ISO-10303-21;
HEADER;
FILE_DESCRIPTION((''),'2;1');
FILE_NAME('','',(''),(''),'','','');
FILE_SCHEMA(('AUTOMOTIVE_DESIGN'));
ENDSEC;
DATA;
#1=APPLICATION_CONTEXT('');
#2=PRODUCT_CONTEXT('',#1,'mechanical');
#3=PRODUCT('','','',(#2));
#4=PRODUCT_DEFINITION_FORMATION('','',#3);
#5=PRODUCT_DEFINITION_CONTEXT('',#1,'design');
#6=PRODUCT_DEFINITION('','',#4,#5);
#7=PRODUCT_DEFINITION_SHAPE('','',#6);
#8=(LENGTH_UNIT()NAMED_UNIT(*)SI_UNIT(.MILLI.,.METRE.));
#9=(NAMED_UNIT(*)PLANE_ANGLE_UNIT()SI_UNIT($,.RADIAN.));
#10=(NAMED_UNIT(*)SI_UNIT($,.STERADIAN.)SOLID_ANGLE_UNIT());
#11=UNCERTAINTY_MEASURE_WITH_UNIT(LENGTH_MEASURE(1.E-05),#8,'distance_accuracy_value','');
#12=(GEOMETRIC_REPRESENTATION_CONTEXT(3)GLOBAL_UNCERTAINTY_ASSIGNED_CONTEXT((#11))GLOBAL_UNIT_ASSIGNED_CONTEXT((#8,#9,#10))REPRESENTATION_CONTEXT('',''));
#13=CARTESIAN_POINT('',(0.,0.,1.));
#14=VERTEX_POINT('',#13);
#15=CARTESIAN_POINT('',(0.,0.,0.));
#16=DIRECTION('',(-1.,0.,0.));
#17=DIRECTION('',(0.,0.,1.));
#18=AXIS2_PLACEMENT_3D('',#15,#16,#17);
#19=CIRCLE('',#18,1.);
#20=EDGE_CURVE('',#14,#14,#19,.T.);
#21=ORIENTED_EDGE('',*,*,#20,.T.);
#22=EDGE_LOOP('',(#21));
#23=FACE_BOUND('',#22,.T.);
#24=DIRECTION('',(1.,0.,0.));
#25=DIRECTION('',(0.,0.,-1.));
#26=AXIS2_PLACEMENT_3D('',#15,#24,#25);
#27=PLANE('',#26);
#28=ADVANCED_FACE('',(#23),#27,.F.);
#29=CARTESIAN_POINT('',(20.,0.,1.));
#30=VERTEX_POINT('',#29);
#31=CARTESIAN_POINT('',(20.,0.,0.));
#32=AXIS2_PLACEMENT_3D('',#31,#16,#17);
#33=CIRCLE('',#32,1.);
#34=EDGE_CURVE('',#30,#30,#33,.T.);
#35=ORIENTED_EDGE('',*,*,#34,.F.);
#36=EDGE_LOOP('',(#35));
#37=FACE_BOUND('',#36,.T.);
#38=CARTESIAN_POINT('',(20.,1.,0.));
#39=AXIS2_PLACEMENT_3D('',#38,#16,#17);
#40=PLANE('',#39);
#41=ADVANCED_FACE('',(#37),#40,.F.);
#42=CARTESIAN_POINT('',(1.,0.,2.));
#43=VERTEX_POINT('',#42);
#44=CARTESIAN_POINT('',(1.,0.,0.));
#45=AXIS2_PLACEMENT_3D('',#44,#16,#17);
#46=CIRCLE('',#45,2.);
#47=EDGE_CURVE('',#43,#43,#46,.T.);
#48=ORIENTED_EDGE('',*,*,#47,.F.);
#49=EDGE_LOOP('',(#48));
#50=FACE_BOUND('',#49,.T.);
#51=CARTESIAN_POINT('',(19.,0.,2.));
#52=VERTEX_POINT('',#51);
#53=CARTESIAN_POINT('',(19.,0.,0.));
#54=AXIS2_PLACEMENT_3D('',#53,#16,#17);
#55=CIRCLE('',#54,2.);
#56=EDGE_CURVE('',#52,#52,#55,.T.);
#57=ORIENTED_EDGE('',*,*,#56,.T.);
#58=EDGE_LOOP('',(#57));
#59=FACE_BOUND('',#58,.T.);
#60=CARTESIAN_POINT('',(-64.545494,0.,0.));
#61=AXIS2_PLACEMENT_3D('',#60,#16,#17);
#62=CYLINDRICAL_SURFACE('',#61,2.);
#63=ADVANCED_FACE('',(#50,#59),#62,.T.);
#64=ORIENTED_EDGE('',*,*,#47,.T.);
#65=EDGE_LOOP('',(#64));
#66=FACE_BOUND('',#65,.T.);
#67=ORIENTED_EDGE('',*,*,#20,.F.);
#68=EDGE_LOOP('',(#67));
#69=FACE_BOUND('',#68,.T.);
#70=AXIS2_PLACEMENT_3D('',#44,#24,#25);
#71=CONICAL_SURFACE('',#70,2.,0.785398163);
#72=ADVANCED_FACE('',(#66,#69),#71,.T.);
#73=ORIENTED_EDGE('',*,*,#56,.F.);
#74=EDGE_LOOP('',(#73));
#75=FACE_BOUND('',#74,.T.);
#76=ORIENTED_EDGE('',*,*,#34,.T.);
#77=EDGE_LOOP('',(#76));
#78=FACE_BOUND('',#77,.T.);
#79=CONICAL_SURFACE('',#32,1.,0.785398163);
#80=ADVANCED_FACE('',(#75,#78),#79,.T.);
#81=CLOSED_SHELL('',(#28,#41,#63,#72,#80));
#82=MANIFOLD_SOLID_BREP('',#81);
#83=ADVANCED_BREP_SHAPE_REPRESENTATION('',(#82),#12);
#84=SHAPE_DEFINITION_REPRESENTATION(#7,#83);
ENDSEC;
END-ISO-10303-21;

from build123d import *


with BuildPart() as part:
    # Esquisse1 → Révolution1 (revolve)
    with BuildSketch(Plane.XY, mode=Mode.PRIVATE) as r_volution1_sk:
        Polygon((0, 0), (0, 1), (1, 2), (19, 2), (20, 1), (20, 0), align=None)
    revolve(r_volution1_sk.sketch.rotate(Axis((-64.545493934, 0, 0), (1, 0, 0)), 90), axis=Axis((-64.545493934, 0, 0), (1, 0, 0)))  # turned: the seam where the file's is


solid = part.part
